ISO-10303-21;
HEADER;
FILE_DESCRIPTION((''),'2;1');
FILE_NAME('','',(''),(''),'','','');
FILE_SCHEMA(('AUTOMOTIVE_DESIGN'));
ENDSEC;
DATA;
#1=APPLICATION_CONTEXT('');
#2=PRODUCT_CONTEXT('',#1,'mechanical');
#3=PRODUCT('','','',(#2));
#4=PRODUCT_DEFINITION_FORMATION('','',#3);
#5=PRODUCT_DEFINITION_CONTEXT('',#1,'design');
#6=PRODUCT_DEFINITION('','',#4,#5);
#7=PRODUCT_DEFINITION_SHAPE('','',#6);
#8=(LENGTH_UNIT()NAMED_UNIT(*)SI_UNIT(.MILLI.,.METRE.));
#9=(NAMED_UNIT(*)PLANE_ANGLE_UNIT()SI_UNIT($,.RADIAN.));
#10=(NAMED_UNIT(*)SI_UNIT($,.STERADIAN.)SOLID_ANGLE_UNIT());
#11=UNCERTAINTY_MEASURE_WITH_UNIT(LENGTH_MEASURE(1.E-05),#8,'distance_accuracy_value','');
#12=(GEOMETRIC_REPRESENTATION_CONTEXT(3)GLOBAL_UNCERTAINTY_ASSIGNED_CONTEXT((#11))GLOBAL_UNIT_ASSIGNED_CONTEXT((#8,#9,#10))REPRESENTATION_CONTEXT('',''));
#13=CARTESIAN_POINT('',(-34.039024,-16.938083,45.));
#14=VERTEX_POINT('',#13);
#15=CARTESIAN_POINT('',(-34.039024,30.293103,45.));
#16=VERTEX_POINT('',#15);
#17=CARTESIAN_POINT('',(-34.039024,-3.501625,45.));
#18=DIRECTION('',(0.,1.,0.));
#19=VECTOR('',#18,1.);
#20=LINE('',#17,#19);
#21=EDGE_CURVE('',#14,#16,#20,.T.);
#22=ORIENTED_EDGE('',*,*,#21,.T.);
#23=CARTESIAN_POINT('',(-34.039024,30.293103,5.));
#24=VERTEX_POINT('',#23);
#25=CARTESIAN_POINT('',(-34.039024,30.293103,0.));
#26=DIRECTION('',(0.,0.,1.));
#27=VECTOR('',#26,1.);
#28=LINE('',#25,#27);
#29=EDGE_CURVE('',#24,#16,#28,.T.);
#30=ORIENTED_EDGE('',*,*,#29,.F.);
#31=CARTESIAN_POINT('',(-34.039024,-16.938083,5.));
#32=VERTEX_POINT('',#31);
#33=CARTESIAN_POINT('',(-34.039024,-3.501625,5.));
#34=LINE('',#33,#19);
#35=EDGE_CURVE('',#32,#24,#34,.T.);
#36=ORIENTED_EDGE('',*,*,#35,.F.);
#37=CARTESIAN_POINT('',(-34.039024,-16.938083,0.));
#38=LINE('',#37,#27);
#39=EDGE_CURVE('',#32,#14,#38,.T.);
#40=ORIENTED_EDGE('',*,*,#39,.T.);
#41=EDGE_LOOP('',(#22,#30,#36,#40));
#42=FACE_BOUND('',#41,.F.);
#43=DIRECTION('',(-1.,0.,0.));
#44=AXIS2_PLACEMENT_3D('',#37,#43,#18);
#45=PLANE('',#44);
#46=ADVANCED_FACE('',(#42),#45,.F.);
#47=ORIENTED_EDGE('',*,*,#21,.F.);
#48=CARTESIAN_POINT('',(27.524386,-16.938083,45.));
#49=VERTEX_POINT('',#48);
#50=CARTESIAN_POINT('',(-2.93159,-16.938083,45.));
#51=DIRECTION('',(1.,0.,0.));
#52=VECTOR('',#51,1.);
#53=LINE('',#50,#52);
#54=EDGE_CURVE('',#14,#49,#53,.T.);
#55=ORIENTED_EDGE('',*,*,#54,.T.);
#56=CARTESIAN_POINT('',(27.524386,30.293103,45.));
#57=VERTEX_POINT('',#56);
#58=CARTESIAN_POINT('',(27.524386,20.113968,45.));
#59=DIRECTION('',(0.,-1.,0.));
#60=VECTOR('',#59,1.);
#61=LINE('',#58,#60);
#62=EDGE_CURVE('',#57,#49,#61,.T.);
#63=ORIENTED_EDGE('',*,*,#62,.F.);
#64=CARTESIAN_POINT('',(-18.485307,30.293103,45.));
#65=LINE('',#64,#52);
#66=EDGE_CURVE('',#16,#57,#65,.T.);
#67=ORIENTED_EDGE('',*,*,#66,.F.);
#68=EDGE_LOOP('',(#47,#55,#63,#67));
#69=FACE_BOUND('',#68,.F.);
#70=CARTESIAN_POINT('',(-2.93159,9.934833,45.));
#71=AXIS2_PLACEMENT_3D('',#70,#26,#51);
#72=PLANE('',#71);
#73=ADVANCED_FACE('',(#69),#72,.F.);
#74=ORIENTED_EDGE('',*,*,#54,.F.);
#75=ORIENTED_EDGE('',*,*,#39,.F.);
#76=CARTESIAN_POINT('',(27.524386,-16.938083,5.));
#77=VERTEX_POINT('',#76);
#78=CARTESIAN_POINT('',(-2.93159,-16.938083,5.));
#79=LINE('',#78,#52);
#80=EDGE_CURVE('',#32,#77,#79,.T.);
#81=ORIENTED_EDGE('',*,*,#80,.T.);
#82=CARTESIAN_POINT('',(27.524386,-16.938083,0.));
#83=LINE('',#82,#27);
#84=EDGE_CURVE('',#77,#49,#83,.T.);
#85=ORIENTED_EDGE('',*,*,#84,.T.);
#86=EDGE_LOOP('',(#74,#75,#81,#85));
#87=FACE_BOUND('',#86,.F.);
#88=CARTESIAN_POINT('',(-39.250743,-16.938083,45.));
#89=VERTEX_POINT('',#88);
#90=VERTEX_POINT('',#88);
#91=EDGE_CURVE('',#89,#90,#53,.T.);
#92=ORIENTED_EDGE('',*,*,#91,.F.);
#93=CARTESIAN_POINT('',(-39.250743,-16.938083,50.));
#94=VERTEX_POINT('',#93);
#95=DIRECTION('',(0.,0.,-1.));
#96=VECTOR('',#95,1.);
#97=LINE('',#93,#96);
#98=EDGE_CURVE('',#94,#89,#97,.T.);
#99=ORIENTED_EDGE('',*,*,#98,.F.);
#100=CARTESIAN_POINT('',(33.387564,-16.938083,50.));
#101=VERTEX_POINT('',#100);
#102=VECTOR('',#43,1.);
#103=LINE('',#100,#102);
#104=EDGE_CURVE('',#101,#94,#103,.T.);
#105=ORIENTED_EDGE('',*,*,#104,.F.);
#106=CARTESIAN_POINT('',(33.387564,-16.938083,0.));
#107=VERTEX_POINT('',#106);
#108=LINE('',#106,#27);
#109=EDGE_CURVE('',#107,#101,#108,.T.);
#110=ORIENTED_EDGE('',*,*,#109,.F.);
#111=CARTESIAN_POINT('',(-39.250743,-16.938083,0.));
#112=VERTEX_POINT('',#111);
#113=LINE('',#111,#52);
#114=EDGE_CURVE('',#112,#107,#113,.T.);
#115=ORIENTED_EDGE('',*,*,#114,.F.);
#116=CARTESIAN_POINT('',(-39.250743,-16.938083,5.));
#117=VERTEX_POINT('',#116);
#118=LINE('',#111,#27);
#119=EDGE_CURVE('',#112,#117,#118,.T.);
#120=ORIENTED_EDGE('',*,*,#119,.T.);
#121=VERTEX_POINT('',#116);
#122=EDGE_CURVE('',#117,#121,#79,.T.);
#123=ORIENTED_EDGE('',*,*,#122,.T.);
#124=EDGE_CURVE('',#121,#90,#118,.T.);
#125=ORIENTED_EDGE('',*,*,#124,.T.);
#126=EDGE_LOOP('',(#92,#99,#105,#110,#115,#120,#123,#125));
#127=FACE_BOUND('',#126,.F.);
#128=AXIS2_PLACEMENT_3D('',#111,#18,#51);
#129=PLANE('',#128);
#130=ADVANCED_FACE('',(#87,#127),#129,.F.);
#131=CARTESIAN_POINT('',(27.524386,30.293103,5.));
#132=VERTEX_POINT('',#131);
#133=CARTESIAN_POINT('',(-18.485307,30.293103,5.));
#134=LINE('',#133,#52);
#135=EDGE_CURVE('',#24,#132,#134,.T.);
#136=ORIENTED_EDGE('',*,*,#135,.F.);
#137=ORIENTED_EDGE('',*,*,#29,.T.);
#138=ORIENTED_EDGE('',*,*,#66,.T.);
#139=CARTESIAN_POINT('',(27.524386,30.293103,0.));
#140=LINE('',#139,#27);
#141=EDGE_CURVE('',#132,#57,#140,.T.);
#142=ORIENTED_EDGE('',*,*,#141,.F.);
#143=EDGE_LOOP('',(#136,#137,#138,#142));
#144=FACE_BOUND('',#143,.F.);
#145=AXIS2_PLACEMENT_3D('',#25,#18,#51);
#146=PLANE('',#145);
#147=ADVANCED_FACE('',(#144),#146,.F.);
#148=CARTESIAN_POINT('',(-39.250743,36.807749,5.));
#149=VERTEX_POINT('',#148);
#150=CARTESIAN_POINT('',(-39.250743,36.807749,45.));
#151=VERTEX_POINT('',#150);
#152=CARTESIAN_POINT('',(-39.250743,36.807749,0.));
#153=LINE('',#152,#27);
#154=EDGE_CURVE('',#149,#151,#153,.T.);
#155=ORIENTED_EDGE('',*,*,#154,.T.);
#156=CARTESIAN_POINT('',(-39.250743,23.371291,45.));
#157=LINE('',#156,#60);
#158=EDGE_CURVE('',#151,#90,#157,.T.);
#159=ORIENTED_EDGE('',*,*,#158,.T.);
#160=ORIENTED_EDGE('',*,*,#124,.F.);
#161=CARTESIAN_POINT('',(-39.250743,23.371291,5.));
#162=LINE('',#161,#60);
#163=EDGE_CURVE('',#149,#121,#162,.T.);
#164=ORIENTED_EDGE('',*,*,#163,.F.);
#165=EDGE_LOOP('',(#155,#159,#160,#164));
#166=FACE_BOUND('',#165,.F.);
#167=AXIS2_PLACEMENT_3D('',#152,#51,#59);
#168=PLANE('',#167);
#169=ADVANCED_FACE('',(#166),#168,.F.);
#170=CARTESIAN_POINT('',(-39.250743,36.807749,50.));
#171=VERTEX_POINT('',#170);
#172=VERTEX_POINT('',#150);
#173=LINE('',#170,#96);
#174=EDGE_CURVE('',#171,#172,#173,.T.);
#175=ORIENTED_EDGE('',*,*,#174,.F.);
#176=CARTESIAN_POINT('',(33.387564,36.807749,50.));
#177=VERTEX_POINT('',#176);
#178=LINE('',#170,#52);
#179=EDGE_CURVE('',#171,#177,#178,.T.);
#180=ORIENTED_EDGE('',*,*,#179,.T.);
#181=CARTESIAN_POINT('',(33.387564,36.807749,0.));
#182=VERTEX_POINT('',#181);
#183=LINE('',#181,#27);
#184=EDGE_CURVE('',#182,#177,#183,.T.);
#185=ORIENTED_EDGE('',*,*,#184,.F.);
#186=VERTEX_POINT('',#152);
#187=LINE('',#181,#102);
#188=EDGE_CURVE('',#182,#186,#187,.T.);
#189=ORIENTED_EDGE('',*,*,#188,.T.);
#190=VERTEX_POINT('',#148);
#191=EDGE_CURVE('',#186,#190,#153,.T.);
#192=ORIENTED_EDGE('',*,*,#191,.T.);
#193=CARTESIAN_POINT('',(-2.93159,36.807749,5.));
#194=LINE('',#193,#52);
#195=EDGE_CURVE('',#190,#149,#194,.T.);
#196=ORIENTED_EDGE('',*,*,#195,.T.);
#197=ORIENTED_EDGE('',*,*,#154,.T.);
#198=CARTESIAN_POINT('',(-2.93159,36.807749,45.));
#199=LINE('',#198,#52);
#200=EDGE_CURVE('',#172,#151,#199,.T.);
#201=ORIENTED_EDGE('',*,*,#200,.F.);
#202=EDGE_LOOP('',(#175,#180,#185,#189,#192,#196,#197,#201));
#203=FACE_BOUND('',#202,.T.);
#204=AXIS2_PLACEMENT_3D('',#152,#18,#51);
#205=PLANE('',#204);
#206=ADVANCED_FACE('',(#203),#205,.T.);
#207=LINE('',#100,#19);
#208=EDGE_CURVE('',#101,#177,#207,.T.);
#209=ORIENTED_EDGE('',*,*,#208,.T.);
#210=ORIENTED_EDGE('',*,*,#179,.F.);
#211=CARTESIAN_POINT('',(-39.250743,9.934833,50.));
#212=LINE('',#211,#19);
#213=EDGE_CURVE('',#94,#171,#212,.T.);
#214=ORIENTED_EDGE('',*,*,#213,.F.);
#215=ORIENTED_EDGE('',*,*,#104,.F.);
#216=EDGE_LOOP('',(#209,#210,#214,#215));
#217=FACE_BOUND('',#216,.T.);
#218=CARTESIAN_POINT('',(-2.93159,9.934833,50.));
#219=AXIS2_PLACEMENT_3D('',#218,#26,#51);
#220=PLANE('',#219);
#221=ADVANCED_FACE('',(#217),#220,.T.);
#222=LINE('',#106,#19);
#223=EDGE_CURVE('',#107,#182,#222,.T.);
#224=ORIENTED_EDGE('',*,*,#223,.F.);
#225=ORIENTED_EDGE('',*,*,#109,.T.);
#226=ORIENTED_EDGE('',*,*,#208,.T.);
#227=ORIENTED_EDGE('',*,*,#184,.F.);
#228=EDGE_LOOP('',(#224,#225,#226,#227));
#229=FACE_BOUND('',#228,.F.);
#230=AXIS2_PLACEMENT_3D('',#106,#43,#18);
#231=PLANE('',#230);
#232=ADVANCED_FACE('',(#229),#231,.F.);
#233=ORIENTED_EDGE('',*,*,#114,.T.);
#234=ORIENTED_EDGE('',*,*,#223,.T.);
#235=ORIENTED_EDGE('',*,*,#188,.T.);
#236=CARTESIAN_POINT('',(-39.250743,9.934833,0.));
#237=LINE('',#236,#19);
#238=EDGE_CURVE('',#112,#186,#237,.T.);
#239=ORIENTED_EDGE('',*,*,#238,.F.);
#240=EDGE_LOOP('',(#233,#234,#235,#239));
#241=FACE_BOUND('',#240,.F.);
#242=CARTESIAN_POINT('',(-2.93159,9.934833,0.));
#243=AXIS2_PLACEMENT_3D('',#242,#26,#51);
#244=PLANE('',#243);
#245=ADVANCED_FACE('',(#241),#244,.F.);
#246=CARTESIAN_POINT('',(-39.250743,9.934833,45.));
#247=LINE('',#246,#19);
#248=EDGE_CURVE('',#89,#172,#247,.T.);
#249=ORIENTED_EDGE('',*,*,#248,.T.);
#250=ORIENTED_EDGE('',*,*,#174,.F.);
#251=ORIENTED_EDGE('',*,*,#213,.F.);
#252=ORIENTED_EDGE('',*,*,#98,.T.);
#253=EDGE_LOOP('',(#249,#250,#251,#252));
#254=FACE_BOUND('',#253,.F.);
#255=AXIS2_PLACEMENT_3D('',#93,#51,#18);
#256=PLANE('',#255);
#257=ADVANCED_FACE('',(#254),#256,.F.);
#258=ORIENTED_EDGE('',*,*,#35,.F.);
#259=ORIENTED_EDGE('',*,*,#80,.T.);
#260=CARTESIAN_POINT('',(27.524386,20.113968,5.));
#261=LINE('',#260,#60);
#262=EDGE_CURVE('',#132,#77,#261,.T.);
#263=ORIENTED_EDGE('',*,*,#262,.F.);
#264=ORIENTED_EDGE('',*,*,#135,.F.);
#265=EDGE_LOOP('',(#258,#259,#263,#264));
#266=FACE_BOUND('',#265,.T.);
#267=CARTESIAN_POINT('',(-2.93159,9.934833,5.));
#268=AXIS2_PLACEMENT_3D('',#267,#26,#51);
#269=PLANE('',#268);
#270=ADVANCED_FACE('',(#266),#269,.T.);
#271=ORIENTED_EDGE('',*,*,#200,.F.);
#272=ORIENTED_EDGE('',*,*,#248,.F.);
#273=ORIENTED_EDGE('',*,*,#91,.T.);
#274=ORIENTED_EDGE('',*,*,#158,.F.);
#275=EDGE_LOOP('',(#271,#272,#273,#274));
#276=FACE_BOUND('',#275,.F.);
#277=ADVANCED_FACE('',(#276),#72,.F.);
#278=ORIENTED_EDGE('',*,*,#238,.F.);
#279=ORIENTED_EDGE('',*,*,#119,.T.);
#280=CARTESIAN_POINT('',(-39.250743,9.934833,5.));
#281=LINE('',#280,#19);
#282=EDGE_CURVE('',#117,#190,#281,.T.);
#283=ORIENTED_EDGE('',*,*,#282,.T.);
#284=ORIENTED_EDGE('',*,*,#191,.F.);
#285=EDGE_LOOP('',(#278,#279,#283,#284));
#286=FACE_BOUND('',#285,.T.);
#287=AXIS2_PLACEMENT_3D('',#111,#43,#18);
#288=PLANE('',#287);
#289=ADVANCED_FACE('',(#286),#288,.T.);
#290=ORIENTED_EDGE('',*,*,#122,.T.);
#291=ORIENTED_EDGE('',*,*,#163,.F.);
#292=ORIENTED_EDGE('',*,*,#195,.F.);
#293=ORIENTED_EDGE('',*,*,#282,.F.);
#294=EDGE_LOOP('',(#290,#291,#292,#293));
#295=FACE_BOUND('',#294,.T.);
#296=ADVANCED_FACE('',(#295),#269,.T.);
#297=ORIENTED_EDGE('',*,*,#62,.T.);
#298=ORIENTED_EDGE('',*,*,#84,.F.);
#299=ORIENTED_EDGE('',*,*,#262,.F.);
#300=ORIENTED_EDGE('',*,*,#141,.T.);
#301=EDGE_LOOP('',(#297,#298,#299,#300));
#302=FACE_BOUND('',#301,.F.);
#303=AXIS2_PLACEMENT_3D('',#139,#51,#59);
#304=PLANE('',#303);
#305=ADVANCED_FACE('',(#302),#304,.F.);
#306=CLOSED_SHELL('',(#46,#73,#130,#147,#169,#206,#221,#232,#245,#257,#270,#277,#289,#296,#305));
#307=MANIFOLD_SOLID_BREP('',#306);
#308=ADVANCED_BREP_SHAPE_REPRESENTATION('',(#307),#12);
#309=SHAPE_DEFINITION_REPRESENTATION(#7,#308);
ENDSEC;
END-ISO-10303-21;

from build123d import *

# Parameters (mm, degrees)
F1_DEPTH = 50
F3_W     = 72.638307
F3_H     = 53.745832
F4_DEPTH = 5
F5_W     = 72.638307
F5_H     = 53.745832
F6_DEPTH = 5


with BuildPart() as f1:
    # F0 (on Top) → F1 (new body)
    with BuildSketch(Plane.XY):
        Polygon((-39.250743, -16.938083), (-34.039024, -16.938083), (-34.039024, 30.293103), (27.524386, 30.293103), (27.524386, -16.938083), (33.387564, -16.938083), (33.387564, 36.807749), (-39.250743, 36.807749), align=None)
    extrude(amount=F1_DEPTH)

    # F3 (on offset) → F4 (join)
    with BuildSketch(Plane.XY.offset(50)):
        with Locations((-2.93159, 9.934833)):
            Rectangle(F3_W, F3_H)
    extrude(amount=-F4_DEPTH)

    # F5 (on Top) → F6 (join)
    with BuildSketch(Plane.XY):
        with Locations((-2.93159, 9.934833)):
            Rectangle(F5_W, F5_H)
    extrude(amount=F6_DEPTH)


solid = f1.part
